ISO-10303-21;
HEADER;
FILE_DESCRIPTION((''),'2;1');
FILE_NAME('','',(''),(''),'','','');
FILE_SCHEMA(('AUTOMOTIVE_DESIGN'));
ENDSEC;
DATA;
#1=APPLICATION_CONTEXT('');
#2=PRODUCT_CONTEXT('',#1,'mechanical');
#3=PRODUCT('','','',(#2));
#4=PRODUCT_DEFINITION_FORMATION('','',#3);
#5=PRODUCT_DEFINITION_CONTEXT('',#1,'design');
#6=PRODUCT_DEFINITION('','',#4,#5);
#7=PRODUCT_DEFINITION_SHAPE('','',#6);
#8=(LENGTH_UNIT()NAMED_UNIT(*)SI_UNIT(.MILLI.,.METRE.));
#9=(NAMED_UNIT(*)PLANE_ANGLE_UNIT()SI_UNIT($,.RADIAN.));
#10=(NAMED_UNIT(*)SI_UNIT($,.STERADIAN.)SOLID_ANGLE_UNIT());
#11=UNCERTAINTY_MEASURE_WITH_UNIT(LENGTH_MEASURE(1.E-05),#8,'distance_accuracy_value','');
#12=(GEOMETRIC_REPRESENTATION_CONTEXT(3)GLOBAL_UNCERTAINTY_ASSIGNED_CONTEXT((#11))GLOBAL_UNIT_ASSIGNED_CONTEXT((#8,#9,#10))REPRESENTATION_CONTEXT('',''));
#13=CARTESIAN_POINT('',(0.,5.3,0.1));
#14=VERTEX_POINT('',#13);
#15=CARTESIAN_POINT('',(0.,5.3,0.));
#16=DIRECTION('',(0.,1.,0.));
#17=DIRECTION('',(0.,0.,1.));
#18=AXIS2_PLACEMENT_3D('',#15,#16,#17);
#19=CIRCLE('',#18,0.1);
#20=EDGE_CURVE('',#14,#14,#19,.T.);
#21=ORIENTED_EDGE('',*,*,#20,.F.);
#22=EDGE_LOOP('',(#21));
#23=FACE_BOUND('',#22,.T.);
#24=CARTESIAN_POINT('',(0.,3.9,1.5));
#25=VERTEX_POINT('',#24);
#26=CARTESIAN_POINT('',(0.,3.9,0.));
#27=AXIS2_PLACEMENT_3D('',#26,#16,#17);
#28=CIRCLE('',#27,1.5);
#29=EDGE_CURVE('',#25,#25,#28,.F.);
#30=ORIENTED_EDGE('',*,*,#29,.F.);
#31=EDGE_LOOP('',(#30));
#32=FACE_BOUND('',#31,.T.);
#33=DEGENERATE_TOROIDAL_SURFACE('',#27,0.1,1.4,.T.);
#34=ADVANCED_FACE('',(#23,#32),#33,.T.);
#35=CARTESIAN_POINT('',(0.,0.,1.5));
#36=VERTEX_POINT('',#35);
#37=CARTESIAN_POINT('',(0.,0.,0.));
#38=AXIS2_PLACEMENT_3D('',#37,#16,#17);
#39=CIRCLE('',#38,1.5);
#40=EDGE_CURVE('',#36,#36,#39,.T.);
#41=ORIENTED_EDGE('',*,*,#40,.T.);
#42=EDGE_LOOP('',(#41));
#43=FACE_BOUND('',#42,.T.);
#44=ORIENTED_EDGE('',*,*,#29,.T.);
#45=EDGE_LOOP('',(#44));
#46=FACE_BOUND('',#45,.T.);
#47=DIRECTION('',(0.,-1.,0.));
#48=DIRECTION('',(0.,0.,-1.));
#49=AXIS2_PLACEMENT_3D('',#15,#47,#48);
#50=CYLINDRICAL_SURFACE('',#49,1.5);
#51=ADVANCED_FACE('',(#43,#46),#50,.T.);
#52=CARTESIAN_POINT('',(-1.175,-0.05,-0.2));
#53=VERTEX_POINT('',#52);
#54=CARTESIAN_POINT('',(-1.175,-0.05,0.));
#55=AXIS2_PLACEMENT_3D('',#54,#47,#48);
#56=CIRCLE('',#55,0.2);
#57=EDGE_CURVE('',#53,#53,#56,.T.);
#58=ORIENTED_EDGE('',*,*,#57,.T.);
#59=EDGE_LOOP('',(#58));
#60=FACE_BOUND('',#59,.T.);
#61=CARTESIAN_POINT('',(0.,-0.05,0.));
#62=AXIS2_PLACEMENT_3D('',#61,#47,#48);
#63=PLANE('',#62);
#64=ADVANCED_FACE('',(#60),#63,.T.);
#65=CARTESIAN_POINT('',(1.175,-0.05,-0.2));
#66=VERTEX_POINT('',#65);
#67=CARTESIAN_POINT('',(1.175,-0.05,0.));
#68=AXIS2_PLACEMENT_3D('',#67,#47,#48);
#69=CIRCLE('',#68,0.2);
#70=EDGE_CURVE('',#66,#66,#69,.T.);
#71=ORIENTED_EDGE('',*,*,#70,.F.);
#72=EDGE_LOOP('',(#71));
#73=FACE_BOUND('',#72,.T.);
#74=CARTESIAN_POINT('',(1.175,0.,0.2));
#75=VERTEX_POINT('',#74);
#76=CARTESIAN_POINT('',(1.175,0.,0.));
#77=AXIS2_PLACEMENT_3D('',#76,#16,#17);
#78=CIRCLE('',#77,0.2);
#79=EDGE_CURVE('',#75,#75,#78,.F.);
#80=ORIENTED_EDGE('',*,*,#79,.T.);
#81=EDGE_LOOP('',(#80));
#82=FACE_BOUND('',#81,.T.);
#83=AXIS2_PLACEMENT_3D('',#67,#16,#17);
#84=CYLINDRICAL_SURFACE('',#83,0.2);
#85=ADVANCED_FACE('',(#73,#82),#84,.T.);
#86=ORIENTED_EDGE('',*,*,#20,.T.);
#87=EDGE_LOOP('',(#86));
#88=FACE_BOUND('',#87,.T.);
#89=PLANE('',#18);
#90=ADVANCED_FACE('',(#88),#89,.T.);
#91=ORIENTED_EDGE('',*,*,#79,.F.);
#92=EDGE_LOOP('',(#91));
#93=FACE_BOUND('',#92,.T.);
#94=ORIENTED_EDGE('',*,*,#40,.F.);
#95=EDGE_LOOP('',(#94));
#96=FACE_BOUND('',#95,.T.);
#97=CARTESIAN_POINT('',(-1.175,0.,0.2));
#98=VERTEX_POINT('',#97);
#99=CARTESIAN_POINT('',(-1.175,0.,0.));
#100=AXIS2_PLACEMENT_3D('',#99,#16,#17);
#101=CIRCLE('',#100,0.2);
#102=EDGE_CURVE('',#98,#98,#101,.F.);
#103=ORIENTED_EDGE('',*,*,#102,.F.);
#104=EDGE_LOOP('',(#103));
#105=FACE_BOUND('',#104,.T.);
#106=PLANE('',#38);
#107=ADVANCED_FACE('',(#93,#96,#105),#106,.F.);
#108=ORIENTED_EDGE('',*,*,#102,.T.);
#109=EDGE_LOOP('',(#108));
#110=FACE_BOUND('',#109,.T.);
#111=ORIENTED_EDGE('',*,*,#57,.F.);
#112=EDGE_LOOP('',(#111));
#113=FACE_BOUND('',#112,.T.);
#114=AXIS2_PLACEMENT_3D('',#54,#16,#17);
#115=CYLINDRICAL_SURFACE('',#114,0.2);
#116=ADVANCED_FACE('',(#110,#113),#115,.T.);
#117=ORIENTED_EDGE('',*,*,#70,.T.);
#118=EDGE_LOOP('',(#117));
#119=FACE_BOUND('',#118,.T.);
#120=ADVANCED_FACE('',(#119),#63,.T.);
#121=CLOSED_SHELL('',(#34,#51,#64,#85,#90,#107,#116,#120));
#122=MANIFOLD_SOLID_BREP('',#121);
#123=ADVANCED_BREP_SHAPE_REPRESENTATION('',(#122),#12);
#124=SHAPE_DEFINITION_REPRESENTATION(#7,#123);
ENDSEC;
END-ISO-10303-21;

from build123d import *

# Parameters (mm, degrees)
SKETCH2_R                  = 1.5
BOSS_EXTRUDE1_DEPTH        = 5.3
FILLET1_R                  = 1.4
BOSS_EXTRUDE2_DEPTH        = 0.25
BOSS_EXTRUDE2_DEPTH_BACK   = 0.25
BOSS_EXTRUDE2_2_DEPTH      = 0.25
BOSS_EXTRUDE2_2_DEPTH_BACK = 0.25
SKETCH4_R                  = 0.2
BOSS_EXTRUDE3_DEPTH        = 0.05


with BuildPart() as part:
    # Sketch2 → Boss-Extrude1 (new body)
    with BuildSketch(Plane(origin=(0, 0, 0), x_dir=(1, 0, 0), z_dir=(0, 1, 0))):
        Circle(SKETCH2_R)
    extrude(amount=BOSS_EXTRUDE1_DEPTH)

    # Fillet1
    fillet1_edges = [part.edges().sort_by_distance(p)[0] for p in [
        (-1.5, 5.3, 0),
    ]]
    fillet(fillet1_edges, radius=FILLET1_R)



with BuildPart() as body_2:
    # Sketch3 → Boss-Extrude2 (new, two sides: drawn at the far end of the back side and taken through both)
    with BuildSketch(Plane.XY.offset(-BOSS_EXTRUDE2_DEPTH_BACK)):
        Polygon((-1.45, 2.6), (-1.45, 0), (-0.9, 0), (-0.9, 0.6), (-0.624114196, 0.6), (-0.624114196, 0.82503781), (-1.225355096, 2.6), align=None)
    extrude(amount=BOSS_EXTRUDE2_DEPTH + BOSS_EXTRUDE2_DEPTH_BACK)


with BuildPart() as body_3:
    # Sketch3 → Boss-Extrude2 2 (new, two sides: drawn at the far end of the back side and taken through both)
    with BuildSketch(Plane.XY.offset(-BOSS_EXTRUDE2_2_DEPTH_BACK)):
        Polygon((1.45, 2.6), (-0.872452828, 2.6), (0.496677266, 0.6), (0.9, 0.6), (0.9, 0), (1.45, 0), align=None)
    extrude(amount=BOSS_EXTRUDE2_2_DEPTH + BOSS_EXTRUDE2_2_DEPTH_BACK)


with BuildPart() as part_1:
    add(part.part)

    add(body_2.part)  # Boss-Extrude3 merges body 2

    add(body_3.part)  # Boss-Extrude3 merges body 3
    # Sketch4 → Boss-Extrude3 (add)
    with BuildSketch(Plane(origin=(0, 0, 0), x_dir=(-1, 0, 0), z_dir=(0, -1, 0))):
        with Locations((-1.175, 0)):
            Circle(SKETCH4_R)
        with Locations((1.175, 0)):
            Circle(SKETCH4_R)
    extrude(amount=BOSS_EXTRUDE3_DEPTH)


solid = part_1.part
